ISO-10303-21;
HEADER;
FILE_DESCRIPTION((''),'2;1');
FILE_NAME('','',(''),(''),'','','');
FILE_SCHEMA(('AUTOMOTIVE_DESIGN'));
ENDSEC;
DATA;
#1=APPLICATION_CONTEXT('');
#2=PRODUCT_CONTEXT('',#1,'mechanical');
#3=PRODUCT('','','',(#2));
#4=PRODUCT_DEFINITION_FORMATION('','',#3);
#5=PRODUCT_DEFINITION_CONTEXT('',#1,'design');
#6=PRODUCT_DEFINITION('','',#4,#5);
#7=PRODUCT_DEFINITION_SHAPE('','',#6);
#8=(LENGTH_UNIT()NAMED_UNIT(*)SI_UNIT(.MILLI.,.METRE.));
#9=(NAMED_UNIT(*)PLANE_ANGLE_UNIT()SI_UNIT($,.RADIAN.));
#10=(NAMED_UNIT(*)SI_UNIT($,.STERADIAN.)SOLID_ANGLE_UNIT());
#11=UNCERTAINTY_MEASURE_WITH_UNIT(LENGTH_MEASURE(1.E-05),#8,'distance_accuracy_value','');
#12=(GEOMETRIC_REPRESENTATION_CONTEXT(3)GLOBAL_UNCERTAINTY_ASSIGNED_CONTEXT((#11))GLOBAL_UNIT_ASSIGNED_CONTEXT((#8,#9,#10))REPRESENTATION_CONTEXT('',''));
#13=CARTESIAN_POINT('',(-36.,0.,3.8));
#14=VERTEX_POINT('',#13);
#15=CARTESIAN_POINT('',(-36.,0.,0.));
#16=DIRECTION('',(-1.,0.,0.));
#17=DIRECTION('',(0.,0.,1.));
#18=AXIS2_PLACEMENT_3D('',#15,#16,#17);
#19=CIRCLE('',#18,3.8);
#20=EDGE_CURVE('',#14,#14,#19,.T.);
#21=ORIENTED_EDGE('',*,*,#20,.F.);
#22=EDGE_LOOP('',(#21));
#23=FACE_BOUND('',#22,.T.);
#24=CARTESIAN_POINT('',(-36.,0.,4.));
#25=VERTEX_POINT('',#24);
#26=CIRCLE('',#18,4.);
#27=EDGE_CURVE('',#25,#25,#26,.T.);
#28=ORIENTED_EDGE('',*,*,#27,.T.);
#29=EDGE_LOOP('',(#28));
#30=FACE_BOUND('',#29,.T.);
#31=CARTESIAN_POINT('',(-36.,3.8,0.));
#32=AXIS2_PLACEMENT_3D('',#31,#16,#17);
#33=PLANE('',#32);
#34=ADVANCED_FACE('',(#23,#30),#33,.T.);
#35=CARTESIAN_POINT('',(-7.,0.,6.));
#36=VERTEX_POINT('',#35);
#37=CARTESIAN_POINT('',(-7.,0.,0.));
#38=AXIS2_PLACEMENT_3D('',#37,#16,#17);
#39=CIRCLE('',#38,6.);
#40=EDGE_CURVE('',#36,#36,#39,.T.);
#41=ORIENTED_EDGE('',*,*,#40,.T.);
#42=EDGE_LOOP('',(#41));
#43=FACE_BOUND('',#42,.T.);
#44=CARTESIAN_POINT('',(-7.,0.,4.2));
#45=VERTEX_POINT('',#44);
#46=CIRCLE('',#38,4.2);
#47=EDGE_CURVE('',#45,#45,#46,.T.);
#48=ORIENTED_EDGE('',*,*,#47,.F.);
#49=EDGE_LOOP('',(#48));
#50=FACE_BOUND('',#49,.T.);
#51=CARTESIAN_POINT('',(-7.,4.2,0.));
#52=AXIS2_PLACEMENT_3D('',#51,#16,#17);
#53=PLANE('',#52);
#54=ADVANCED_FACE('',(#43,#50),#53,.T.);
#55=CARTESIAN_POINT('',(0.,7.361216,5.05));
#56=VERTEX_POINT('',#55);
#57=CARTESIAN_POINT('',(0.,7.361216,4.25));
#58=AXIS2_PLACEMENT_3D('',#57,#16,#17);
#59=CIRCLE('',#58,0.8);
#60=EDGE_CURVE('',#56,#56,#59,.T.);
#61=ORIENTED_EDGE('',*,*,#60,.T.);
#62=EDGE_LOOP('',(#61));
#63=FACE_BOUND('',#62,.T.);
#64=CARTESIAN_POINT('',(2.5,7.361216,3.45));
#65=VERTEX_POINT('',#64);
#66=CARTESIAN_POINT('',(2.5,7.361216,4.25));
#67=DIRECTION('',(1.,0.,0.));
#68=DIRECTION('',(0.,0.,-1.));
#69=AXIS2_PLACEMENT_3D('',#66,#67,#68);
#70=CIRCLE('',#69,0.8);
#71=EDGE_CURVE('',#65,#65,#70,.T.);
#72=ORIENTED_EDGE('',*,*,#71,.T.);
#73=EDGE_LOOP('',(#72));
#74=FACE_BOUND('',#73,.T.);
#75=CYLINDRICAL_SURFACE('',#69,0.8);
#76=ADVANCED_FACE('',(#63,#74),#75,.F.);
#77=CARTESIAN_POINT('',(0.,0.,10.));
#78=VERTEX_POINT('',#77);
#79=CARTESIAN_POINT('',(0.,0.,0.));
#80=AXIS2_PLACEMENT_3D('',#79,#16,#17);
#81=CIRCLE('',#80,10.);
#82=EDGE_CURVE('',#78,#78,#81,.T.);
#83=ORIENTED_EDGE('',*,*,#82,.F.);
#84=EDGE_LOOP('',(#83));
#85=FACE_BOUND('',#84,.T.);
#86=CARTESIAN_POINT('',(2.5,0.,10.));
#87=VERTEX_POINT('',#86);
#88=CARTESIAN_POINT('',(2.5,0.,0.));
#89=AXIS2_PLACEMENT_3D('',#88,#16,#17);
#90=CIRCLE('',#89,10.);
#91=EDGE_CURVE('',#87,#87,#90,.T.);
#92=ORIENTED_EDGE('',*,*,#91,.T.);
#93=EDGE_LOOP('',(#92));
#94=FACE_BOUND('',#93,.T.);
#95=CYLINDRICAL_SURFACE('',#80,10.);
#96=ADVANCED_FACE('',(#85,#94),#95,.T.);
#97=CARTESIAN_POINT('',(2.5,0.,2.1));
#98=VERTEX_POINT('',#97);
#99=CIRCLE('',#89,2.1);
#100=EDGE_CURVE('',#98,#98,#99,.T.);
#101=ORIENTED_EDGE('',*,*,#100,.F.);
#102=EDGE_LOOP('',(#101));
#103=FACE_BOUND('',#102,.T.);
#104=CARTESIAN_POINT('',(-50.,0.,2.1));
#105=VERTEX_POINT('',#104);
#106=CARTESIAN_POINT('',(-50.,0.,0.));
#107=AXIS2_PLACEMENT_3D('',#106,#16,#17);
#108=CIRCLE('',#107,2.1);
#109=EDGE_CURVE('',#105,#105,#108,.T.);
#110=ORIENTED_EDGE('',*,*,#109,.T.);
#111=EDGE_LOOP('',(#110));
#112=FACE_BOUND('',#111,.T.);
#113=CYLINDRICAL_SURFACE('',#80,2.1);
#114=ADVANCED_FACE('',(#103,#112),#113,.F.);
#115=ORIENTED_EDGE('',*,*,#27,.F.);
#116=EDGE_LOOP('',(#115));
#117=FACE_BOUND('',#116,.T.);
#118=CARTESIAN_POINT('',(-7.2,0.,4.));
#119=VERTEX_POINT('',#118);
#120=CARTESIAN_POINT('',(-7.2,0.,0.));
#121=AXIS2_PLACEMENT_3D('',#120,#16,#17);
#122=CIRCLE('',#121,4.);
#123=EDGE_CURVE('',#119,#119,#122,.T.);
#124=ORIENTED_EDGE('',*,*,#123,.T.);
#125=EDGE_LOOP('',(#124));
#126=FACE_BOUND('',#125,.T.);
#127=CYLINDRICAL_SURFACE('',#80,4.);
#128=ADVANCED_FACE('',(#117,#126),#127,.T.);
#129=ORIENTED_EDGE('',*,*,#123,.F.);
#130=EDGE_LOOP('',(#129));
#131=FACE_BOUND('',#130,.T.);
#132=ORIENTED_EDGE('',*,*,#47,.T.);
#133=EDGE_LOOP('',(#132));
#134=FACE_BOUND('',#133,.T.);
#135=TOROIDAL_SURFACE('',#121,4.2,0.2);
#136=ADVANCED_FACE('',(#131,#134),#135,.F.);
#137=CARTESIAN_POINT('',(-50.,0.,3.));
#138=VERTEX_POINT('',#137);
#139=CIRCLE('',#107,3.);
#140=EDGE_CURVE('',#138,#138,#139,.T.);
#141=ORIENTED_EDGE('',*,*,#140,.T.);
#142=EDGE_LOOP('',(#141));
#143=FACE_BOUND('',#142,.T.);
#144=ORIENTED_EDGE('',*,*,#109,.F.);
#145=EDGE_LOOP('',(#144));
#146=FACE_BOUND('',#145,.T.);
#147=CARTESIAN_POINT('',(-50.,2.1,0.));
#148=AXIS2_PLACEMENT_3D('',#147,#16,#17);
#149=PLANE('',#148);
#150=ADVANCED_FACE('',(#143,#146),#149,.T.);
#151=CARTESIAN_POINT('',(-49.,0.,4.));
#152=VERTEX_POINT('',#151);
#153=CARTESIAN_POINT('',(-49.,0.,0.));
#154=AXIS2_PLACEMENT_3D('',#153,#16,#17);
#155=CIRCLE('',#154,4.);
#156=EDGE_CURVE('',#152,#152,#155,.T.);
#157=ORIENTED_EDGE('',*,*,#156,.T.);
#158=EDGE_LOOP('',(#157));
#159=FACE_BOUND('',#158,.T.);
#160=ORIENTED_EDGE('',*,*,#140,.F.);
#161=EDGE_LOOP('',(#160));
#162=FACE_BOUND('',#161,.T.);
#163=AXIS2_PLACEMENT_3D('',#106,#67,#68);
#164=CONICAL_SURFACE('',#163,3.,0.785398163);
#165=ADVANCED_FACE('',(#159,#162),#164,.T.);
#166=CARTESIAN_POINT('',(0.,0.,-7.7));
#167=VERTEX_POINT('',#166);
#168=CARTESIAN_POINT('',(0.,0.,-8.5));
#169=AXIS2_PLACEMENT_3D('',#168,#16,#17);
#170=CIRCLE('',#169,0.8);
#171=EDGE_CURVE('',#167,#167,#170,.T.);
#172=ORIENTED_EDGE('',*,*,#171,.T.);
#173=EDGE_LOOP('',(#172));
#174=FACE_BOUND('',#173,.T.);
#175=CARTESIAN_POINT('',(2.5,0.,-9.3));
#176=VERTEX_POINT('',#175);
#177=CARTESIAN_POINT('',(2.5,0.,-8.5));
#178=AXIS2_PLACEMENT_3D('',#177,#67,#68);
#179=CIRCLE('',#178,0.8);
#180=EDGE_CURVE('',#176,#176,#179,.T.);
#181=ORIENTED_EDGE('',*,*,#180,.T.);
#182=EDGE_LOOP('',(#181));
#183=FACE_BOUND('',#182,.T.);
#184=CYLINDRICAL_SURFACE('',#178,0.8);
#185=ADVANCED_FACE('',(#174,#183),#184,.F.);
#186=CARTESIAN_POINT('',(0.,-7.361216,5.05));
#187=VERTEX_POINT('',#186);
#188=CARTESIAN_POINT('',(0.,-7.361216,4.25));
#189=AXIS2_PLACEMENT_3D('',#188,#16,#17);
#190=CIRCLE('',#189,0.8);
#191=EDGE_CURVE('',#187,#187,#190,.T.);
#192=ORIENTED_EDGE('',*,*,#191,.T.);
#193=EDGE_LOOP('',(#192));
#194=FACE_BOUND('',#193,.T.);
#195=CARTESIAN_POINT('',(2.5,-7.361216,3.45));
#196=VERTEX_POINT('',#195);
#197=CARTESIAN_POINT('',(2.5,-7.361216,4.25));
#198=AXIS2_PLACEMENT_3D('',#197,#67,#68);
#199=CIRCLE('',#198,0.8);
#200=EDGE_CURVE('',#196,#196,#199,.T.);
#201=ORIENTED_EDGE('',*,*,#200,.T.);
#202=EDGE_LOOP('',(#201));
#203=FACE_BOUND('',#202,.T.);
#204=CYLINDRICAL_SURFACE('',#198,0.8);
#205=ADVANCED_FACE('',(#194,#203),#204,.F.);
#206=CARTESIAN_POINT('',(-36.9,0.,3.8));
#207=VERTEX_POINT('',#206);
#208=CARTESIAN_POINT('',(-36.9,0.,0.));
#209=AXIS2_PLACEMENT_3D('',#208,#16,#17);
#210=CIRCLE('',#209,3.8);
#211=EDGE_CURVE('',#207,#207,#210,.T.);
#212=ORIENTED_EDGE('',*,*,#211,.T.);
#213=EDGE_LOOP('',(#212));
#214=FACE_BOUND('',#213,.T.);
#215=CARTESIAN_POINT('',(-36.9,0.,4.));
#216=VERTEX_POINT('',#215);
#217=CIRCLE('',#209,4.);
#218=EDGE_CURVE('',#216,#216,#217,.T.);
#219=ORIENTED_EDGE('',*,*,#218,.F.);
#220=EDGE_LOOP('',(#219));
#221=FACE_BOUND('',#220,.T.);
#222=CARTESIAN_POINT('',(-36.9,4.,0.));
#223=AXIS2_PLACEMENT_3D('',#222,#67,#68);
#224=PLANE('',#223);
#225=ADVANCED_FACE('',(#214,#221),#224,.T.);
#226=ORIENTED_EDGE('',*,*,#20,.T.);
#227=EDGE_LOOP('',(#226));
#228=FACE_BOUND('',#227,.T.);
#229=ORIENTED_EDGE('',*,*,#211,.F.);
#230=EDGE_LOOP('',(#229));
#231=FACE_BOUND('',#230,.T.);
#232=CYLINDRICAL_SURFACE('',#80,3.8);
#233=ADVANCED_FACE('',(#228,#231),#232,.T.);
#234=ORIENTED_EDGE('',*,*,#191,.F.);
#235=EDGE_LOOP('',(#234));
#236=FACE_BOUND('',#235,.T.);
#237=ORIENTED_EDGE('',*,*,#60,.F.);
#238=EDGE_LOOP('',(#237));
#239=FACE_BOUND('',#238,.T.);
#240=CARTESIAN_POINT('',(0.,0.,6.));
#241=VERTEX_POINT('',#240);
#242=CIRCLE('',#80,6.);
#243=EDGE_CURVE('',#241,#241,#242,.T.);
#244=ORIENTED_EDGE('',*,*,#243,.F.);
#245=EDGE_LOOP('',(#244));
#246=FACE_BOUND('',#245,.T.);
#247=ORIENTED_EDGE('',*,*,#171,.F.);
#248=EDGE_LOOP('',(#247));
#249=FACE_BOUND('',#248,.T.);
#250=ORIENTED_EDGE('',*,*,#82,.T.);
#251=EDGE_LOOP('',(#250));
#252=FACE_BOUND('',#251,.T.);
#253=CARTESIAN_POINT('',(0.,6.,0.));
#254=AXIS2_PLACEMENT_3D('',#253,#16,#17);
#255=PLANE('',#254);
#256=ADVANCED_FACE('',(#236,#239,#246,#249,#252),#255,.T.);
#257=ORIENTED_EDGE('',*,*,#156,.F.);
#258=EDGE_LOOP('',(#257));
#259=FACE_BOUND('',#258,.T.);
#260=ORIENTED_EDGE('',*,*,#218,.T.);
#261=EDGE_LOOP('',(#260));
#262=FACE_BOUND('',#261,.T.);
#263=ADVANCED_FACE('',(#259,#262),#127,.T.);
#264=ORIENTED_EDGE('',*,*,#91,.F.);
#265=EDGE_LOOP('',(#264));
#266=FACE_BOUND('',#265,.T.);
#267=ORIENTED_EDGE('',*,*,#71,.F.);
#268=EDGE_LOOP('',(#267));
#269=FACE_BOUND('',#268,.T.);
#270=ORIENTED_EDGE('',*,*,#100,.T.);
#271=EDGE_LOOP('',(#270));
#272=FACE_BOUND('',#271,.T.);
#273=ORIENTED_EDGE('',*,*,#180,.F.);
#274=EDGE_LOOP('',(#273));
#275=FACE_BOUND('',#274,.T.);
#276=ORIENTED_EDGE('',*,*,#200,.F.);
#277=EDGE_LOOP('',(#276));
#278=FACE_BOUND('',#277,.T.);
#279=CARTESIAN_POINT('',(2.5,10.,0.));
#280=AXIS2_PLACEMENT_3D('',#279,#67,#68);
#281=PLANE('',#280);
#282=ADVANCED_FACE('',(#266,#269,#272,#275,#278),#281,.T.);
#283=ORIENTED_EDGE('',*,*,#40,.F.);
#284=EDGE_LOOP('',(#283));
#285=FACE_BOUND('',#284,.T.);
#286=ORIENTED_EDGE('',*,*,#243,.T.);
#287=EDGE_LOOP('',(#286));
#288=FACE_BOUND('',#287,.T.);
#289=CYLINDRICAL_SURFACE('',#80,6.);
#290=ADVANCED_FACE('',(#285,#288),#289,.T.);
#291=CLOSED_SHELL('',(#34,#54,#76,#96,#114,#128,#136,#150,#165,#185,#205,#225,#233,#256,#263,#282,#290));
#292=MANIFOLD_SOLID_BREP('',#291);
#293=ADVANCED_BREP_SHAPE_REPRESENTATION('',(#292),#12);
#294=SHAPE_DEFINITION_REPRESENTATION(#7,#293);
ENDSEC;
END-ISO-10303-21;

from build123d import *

# Parameters (mm, degrees)
M2X0_4_TAPPED_HOLE1_D = 1.6


with BuildPart() as part:
    # Sketch1 → Revolve1 (revolve)
    with BuildSketch(Plane(origin=(0, 0, 0), x_dir=(-1, 0, 0), z_dir=(0, 0, -1)), mode=Mode.PRIVATE) as revolve1_sk:
        with BuildLine():
            Line((50, 2.1), (50, 3))
            add(Edge.make_bspline(
                [(49, 4), (49.333333333, 3.666666667), (49.666666667, 3.333333333), (50, 3)],
                knots=[0, 0, 0, 0, 1, 1, 1, 1], degree=3))
            Line((49, 4), (36.9, 4))
            Line((36.9, 4), (36.9, 3.8))
            Line((36.9, 3.8), (36, 3.8))
            Line((36, 3.8), (36, 4))
            Line((36, 4), (7.2, 4))
            ThreePointArc((7.2, 4), (7.058578644, 4.058578644), (7, 4.2))
            Line((7, 4.2), (7, 6))
            Line((7, 6), (0, 6))
            Line((0, 6), (0, 10))
            Line((0, 10), (-2.5, 10))
            Line((-2.5, 10), (-2.5, 2.1))
            Line((-2.5, 2.1), (50, 2.1))
        make_face()
    revolve(revolve1_sk.sketch.rotate(Axis((0, 0, 0), (-1, 0, 0)), 270), axis=Axis((0, 0, 0), (-1, 0, 0)))

    # M2x0.4 Tapped Hole1 (through all)
    with Locations(Plane(origin=(2.5, 0, 0), x_dir=(0, 0, -1), z_dir=(1, 0, 0))):
        with Locations((8.5, 0), (-4.25, 7.361215932), (-4.25, -7.361215932)):
            Hole(M2X0_4_TAPPED_HOLE1_D / 2)


solid = part.part
